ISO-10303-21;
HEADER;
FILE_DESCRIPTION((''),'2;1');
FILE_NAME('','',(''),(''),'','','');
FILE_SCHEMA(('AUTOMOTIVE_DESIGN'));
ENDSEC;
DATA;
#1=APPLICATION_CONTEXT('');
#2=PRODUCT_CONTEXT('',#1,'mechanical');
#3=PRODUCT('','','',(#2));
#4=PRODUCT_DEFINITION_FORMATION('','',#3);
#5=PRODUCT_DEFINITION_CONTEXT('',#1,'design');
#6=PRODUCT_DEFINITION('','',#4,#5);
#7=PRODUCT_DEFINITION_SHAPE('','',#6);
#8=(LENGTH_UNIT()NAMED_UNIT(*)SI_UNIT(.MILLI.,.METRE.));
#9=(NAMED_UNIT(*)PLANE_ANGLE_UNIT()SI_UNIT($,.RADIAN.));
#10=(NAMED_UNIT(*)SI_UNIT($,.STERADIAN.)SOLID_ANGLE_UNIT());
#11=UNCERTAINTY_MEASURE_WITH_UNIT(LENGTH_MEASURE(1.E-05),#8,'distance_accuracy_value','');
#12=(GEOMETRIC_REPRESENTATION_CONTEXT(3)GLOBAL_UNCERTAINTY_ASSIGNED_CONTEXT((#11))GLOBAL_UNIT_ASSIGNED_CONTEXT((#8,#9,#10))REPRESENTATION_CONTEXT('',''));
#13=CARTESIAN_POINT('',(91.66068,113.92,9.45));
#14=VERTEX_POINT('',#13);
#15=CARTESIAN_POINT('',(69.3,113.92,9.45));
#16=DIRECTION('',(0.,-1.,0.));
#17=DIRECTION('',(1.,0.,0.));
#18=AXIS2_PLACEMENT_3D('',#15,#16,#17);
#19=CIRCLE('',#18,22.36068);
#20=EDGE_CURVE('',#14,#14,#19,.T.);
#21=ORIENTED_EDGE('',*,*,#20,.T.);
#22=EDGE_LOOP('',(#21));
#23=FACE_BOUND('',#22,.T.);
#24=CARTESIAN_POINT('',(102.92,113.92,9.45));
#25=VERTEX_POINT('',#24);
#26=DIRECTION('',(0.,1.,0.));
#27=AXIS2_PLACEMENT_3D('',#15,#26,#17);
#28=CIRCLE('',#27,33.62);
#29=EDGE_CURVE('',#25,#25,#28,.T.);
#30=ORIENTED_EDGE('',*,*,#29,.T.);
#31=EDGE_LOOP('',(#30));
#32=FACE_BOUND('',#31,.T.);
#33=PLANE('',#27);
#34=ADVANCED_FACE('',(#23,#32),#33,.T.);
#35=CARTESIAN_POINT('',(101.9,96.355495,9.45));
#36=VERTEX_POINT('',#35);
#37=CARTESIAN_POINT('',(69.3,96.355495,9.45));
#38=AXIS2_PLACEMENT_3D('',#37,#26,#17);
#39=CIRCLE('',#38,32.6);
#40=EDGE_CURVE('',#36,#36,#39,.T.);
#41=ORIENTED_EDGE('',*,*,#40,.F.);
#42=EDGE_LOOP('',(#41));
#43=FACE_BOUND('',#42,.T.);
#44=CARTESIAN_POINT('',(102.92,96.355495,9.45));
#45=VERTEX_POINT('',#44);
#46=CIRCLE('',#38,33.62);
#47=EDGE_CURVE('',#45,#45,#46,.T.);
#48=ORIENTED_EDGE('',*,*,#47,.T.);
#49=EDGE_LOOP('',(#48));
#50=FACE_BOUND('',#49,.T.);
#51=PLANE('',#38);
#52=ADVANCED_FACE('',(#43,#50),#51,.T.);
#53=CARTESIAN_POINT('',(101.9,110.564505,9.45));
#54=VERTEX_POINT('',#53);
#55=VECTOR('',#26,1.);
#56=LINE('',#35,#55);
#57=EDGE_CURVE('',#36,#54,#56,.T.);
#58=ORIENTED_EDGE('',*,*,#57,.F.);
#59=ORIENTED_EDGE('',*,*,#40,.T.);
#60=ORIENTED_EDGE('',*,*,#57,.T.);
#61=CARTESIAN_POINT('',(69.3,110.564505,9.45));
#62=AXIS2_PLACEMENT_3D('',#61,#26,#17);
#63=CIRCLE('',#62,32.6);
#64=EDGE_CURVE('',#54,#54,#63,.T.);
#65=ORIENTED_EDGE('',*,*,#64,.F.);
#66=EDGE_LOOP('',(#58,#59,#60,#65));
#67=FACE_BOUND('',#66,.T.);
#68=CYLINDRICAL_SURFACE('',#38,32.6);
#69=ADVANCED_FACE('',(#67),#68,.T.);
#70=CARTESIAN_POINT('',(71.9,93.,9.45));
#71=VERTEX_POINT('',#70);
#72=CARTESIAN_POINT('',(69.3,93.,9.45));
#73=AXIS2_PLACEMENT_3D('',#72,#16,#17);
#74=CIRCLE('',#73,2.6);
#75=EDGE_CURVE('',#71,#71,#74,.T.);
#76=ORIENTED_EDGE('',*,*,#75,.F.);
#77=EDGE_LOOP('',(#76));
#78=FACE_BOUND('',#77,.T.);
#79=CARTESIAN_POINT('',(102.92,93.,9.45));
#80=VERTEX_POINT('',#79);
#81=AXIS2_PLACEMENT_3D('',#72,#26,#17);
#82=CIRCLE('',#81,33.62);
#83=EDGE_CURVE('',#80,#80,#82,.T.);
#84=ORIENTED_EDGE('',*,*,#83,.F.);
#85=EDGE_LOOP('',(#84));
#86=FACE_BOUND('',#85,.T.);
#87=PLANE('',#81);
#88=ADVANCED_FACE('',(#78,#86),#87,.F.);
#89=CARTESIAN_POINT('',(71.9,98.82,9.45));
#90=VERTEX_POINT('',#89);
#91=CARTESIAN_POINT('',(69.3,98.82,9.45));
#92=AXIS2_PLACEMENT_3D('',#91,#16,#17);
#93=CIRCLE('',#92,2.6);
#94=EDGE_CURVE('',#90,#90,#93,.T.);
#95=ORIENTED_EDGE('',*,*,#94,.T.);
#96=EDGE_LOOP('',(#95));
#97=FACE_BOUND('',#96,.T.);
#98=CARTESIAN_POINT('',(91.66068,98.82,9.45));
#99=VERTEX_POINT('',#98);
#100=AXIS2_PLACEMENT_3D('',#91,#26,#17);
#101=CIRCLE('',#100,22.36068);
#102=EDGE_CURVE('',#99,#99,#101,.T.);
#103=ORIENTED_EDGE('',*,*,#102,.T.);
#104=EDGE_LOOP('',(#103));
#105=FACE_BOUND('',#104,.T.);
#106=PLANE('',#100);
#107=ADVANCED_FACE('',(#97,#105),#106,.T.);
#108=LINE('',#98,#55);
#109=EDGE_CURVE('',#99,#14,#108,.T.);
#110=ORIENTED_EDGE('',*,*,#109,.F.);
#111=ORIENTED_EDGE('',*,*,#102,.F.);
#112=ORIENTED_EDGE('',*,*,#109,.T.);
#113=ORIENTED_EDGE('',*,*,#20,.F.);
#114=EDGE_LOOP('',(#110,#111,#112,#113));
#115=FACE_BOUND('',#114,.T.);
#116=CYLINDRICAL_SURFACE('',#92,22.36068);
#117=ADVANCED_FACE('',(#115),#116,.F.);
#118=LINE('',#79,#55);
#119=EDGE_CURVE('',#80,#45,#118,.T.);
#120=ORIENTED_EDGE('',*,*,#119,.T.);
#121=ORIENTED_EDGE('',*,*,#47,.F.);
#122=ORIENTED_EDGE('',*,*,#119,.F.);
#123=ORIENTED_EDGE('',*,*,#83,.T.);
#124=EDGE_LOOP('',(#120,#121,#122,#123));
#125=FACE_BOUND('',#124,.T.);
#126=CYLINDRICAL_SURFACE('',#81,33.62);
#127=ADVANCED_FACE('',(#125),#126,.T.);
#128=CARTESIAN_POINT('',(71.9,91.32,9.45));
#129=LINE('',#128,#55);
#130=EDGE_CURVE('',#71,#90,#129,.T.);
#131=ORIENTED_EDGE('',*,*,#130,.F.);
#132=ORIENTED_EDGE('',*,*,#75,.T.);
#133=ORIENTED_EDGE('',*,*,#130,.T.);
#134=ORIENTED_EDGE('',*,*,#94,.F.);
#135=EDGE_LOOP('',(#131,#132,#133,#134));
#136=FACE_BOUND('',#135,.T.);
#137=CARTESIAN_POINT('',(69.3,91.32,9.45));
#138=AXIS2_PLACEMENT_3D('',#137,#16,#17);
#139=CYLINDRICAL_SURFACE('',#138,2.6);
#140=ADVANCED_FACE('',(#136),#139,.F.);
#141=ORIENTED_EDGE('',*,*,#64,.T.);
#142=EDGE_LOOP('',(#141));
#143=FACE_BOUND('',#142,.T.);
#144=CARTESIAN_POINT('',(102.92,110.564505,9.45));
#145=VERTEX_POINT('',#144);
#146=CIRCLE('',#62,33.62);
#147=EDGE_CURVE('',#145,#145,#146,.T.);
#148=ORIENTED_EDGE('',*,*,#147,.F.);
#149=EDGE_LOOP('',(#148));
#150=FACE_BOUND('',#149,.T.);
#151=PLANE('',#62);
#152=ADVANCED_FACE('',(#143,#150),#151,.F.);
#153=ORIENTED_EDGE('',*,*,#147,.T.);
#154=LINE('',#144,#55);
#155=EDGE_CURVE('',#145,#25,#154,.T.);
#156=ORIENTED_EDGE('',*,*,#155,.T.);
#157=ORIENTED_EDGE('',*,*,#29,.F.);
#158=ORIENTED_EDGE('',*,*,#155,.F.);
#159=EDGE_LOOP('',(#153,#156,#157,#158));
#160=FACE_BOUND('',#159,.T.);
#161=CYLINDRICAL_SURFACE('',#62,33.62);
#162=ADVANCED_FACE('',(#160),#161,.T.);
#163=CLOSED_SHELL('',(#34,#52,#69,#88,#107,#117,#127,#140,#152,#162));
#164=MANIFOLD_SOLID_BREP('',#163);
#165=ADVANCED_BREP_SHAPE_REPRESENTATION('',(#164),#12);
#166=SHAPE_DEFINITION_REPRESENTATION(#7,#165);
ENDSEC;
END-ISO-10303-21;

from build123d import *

# Parameters (mm, degrees)
SKETCH185_R            = 2.6
EXTRUDE200_DEPTH       = 10
SKETCH184_R            = 22.36068
EXTRUDE199_DEPTH       = 20
CUT127_PLACEMENT_ANGLE = 270


with BuildPart() as extrude200:
    # Sketch185 (on Face9 of Cut126) → Extrude200 (new body)
    with BuildSketch(Plane.XY.offset(5.82)):
        Circle(SKETCH185_R)
    extrude(amount=EXTRUDE200_DEPTH)


with BuildPart() as extrude200_1:
    # Extrude200 placement: moved
    add(extrude200.part.moved(Location((0, 0, -7.5))))


with BuildPart() as extrude199:
    # Sketch184 (on Face7 of Revolve005) → Extrude199 (new body)
    with BuildSketch(Plane.XY.offset(20.92)):
        Circle(SKETCH184_R)
    extrude(amount=EXTRUDE199_DEPTH)


with BuildPart() as extrude199_1:
    # Extrude199 placement: moved
    add(extrude199.part.moved(Location((0, 0, -15.1))))


with BuildPart() as rueda_delantera002:
    # Sketch183 → Revolve005 (revolve)
    with BuildSketch(Plane.XZ):
        Polygon((0, 0), (33.62, 0), (33.62, 3.355495), (32.6, 3.355495), (32.6, 17.564505), (33.62, 17.564505), (33.62, 20.92), (0, 20.92), align=None)
    revolve(axis=Axis((0, 0, 0), (0, 0, 1)))

    # Cut126: cut Extrude199
    add(extrude199_1.part, mode=Mode.SUBTRACT)

    # Cut127: cut Extrude200
    add(extrude200_1.part, mode=Mode.SUBTRACT)


with BuildPart() as rueda_delantera002_1:
    # Cut127 placement: moved
    add(rueda_delantera002.part.moved(Location((69.3, 93, 9.45))).rotate(Axis((69.3, 93, 9.45), (1, 0, 0)), CUT127_PLACEMENT_ANGLE))


solid = rueda_delantera002_1.part
